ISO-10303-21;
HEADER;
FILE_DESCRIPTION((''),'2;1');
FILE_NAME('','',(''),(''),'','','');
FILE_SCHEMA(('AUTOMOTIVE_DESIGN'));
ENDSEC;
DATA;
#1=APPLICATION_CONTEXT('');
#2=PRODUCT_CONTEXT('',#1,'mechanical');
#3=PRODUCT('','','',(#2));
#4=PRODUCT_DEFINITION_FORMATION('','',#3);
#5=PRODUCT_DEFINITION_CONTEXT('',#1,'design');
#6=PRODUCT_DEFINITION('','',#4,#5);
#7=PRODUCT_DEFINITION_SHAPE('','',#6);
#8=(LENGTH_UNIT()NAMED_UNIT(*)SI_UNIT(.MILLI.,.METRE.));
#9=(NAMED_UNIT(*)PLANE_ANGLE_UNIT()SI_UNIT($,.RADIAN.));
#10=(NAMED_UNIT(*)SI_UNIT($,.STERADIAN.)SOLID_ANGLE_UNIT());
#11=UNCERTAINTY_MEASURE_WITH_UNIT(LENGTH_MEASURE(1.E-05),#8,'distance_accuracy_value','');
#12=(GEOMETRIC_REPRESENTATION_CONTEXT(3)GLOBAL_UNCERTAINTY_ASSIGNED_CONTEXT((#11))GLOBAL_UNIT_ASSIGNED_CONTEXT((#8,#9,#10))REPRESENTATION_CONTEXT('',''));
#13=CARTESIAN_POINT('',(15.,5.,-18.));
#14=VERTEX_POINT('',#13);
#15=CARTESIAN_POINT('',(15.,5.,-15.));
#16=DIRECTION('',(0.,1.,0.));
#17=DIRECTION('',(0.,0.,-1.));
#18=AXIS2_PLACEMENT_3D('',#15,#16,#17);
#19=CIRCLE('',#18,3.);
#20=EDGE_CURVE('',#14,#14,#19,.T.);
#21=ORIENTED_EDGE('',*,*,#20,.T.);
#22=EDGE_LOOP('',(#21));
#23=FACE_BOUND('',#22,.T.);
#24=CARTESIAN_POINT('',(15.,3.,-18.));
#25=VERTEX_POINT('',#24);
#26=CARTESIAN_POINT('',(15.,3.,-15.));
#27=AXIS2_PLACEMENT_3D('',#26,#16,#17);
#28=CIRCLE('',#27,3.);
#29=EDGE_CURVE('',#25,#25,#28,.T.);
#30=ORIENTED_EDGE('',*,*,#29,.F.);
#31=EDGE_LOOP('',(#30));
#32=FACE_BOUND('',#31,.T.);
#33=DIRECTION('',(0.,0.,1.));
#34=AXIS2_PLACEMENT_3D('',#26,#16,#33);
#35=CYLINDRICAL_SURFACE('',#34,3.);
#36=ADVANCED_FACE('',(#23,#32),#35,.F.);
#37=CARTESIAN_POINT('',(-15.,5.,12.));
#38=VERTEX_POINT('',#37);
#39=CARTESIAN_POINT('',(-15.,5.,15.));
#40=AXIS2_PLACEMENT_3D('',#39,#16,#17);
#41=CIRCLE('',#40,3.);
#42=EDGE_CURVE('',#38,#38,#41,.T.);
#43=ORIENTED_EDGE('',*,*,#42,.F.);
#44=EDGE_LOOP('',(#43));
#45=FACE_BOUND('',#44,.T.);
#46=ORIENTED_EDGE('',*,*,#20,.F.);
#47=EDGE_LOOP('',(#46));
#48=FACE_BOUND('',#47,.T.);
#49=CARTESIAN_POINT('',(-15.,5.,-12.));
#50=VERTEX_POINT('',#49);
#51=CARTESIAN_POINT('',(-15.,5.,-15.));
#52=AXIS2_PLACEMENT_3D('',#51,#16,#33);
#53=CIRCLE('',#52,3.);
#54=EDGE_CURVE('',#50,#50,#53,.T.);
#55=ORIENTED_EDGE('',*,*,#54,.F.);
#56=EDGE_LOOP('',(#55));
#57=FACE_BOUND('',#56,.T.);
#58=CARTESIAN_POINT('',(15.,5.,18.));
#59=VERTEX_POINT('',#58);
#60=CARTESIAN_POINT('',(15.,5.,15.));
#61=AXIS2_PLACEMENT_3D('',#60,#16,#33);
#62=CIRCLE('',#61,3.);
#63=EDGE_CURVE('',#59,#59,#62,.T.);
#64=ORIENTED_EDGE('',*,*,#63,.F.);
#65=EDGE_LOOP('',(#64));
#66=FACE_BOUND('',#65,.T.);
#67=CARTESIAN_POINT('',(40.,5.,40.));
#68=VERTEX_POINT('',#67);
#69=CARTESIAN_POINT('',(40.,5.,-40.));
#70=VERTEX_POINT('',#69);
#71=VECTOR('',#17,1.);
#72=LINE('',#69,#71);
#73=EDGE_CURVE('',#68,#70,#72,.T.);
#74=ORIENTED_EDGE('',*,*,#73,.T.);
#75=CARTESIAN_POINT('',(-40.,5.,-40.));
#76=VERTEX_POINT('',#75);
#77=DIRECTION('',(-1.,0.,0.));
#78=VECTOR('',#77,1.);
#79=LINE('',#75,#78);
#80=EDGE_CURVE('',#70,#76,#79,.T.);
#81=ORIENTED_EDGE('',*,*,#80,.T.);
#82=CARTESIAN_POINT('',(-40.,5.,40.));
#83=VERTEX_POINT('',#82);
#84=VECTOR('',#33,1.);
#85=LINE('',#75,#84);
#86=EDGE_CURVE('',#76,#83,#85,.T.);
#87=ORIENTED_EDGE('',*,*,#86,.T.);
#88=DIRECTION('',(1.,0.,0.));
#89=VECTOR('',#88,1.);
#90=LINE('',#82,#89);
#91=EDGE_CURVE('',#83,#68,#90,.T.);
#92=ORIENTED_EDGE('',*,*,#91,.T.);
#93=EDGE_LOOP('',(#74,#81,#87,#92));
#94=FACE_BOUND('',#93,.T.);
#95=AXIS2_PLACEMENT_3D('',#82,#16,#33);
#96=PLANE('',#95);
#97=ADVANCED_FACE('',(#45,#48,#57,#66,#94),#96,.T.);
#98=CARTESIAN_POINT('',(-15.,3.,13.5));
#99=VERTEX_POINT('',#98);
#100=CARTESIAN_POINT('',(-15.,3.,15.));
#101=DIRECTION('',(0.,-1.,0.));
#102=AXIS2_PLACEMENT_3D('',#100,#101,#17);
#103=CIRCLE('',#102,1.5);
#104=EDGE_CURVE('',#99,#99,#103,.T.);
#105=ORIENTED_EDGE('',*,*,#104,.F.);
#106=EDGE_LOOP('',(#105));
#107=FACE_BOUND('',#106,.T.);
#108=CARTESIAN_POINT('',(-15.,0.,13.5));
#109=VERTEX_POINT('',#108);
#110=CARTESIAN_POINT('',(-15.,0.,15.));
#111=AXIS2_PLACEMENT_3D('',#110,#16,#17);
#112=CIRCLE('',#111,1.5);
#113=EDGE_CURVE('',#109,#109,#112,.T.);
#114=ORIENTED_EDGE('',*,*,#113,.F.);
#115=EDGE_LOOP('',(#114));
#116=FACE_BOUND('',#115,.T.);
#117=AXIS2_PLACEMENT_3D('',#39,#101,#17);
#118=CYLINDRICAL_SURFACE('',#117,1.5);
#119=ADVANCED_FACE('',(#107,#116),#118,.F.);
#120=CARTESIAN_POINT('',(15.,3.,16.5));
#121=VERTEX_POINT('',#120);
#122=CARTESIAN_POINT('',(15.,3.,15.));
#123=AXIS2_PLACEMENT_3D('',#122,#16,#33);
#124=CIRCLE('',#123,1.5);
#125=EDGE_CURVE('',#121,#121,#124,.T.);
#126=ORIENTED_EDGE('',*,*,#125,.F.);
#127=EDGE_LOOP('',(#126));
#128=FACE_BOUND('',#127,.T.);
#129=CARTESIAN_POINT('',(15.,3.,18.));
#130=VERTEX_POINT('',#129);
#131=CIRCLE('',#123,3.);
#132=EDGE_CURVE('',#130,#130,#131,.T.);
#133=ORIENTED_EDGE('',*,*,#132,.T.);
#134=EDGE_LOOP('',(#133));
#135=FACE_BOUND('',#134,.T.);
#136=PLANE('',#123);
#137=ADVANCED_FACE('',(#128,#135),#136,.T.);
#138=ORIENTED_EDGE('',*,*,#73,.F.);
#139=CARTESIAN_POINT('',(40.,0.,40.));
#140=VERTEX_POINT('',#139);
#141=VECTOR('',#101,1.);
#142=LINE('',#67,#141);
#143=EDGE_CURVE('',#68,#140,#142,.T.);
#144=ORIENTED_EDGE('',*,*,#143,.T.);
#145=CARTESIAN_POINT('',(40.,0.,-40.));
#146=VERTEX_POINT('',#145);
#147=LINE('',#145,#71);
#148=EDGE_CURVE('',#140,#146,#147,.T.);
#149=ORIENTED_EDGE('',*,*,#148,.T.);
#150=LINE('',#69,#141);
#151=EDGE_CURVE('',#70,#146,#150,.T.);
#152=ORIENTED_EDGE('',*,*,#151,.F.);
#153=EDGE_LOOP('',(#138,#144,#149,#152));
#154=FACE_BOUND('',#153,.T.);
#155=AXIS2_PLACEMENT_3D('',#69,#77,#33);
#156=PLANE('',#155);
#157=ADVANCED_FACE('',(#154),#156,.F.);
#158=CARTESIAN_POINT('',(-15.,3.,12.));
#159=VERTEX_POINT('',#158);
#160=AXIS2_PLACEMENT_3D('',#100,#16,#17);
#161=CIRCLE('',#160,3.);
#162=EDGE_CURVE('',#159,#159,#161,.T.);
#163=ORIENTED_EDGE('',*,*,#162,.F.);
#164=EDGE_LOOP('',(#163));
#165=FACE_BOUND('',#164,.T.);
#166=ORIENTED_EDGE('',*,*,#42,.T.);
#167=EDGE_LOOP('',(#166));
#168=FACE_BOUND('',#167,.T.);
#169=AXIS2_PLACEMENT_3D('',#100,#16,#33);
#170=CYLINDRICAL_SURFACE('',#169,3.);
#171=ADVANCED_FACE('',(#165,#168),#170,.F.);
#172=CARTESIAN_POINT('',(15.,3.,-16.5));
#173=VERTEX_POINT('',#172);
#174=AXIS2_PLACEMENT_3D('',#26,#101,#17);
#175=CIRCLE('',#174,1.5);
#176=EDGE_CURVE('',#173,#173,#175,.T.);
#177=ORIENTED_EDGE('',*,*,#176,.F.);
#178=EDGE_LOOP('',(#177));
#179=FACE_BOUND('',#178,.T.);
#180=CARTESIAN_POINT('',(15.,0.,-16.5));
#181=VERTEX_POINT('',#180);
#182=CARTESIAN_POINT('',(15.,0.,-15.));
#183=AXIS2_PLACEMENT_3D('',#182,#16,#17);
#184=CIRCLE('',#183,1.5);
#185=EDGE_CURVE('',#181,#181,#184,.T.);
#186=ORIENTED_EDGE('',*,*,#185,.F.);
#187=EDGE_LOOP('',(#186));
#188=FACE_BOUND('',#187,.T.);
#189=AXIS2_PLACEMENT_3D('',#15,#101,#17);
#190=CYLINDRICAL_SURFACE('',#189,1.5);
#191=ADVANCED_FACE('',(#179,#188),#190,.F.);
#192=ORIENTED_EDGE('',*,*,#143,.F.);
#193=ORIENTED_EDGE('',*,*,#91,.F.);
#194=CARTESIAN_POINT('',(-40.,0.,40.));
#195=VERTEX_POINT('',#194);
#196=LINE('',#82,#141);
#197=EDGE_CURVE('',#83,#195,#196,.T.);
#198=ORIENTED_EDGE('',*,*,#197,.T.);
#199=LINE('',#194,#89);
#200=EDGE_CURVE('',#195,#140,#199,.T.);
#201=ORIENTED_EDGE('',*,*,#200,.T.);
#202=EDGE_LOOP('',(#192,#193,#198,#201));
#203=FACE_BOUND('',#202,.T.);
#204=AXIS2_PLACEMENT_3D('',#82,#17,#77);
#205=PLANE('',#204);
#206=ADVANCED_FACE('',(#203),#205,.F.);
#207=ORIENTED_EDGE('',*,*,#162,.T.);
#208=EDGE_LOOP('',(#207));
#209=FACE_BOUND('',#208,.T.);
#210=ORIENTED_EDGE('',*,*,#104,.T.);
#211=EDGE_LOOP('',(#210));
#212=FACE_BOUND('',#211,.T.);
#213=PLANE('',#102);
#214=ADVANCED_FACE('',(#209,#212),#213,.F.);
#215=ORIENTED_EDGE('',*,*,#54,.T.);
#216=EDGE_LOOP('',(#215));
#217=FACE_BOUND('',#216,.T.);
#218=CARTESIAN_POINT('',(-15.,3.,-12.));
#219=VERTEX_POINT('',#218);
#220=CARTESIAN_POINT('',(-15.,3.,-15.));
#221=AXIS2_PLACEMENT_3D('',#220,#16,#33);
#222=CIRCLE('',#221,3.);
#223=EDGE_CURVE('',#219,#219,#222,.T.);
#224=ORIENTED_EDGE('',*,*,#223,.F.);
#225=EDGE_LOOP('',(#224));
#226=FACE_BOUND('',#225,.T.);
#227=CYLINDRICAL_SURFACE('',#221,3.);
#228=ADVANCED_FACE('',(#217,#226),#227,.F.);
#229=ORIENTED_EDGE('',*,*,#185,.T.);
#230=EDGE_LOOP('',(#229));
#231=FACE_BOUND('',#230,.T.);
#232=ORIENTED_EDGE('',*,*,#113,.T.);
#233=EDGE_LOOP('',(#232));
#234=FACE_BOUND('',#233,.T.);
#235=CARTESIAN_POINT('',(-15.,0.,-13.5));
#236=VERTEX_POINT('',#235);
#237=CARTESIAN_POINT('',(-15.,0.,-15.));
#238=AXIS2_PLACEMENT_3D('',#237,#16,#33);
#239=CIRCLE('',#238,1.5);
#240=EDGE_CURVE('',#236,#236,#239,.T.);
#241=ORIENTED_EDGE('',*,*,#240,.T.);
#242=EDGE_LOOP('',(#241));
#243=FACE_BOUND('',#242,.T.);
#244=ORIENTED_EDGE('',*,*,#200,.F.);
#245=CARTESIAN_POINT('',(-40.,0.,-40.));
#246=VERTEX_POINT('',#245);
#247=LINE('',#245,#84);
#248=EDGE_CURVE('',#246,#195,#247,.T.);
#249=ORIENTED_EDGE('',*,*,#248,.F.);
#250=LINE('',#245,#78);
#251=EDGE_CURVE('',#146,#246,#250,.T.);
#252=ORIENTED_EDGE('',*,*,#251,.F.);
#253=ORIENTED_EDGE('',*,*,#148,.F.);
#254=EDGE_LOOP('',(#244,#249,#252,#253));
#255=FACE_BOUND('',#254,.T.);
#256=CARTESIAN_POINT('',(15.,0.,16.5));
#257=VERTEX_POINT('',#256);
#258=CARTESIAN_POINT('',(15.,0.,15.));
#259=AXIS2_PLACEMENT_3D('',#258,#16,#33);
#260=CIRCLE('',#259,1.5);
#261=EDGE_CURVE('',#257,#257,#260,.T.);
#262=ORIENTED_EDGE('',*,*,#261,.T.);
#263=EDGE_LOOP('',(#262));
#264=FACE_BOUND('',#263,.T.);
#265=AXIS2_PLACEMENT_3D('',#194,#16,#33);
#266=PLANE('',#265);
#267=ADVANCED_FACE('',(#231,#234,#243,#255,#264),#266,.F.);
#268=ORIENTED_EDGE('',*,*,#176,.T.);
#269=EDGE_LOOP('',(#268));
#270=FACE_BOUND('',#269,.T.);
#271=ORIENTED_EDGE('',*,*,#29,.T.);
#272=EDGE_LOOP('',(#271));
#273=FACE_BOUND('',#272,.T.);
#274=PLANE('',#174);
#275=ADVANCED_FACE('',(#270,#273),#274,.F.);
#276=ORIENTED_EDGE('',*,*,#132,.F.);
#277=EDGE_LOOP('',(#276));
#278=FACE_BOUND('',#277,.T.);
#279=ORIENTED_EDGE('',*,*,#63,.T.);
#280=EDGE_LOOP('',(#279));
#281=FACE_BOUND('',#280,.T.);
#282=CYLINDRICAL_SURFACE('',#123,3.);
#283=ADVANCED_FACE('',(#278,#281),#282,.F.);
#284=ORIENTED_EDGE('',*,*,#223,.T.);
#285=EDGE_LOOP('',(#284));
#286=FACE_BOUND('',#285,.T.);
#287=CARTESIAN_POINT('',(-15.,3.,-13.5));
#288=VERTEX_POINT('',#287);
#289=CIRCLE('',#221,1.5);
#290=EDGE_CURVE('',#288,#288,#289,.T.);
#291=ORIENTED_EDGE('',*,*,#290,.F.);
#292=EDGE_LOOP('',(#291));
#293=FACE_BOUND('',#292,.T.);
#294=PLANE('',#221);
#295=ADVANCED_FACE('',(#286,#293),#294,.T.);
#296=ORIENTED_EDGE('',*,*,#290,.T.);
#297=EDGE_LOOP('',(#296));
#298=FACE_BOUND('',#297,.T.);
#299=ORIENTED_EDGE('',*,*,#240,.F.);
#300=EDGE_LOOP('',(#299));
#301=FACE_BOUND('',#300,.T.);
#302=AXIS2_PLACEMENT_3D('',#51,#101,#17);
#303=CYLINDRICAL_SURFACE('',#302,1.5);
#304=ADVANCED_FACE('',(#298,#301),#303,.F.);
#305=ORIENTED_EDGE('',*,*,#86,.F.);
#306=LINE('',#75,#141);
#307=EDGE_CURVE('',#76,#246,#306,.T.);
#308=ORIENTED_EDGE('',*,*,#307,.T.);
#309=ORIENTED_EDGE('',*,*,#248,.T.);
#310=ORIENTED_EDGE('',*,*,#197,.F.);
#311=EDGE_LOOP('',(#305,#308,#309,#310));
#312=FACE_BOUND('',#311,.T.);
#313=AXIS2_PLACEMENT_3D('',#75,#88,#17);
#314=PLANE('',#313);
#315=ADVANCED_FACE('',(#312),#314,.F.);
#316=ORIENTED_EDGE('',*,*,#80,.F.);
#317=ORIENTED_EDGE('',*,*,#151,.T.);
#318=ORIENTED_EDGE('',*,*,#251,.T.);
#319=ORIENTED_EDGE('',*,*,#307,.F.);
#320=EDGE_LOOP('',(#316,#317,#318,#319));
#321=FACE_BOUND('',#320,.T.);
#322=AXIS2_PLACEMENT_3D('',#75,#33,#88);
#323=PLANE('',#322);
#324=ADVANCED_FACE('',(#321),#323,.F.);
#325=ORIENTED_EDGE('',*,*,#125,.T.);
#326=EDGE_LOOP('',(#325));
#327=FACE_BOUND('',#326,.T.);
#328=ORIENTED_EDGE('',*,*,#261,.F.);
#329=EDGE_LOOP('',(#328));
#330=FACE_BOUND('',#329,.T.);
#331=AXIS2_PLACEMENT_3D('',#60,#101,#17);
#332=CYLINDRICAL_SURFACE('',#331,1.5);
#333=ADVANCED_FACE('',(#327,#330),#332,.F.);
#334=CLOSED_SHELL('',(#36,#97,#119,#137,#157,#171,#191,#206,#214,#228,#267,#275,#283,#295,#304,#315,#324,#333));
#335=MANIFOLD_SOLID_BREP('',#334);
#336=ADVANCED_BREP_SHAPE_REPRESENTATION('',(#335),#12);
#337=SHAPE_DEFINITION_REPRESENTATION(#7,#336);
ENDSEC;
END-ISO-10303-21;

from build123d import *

# Parameters (mm, degrees)
ESQUISSE1_W             = 80
ESQUISSE1_H             = 80
ESQUISSE1_R             = 1.5
EXTRUSION1_DEPTH        = 5
ESQUISSE2_R             = 3
ENL_V_MAT_EXTRU_1_DEPTH = 2


with BuildPart() as part:
    # Esquisse1 → Extrusion1 (new body)
    with BuildSketch(Plane(origin=(0, 0, 0), x_dir=(1, 0, 0), z_dir=(0, 1, 0))):
        Rectangle(ESQUISSE1_W, ESQUISSE1_H)
        with Locations(Location((-15, 15, 0), (0, 0, 270))):
            Circle(ESQUISSE1_R, mode=Mode.SUBTRACT)
        with Locations(Location((15, 15, 0), (0, 0, 90))):
            Circle(ESQUISSE1_R, mode=Mode.SUBTRACT)
        with Locations(Location((-15, -15, 0), (0, 0, 90))):
            Circle(ESQUISSE1_R, mode=Mode.SUBTRACT)
        with Locations(Location((15, -15, 0), (0, 0, 270))):
            Circle(ESQUISSE1_R, mode=Mode.SUBTRACT)
    extrude(amount=EXTRUSION1_DEPTH)

    # Esquisse2 → Enlèv. mat.-Extru.1 (cut)
    with BuildSketch(Plane(origin=(0, 5, 0), x_dir=(1, 0, 0), z_dir=(0, 1, 0))):
        with Locations(Location((-15, 15, 0), (0, 0, 270))):
            Circle(ESQUISSE2_R)
        with Locations(Location((15, 15, 0), (0, 0, 90))):
            Circle(ESQUISSE2_R)
        with Locations(Location((15, -15, 0), (0, 0, 270))):
            Circle(ESQUISSE2_R)
        with Locations(Location((-15, -15, 0), (0, 0, 90))):
            Circle(ESQUISSE2_R)
    extrude(amount=-ENL_V_MAT_EXTRU_1_DEPTH, mode=Mode.SUBTRACT)


solid = part.part
